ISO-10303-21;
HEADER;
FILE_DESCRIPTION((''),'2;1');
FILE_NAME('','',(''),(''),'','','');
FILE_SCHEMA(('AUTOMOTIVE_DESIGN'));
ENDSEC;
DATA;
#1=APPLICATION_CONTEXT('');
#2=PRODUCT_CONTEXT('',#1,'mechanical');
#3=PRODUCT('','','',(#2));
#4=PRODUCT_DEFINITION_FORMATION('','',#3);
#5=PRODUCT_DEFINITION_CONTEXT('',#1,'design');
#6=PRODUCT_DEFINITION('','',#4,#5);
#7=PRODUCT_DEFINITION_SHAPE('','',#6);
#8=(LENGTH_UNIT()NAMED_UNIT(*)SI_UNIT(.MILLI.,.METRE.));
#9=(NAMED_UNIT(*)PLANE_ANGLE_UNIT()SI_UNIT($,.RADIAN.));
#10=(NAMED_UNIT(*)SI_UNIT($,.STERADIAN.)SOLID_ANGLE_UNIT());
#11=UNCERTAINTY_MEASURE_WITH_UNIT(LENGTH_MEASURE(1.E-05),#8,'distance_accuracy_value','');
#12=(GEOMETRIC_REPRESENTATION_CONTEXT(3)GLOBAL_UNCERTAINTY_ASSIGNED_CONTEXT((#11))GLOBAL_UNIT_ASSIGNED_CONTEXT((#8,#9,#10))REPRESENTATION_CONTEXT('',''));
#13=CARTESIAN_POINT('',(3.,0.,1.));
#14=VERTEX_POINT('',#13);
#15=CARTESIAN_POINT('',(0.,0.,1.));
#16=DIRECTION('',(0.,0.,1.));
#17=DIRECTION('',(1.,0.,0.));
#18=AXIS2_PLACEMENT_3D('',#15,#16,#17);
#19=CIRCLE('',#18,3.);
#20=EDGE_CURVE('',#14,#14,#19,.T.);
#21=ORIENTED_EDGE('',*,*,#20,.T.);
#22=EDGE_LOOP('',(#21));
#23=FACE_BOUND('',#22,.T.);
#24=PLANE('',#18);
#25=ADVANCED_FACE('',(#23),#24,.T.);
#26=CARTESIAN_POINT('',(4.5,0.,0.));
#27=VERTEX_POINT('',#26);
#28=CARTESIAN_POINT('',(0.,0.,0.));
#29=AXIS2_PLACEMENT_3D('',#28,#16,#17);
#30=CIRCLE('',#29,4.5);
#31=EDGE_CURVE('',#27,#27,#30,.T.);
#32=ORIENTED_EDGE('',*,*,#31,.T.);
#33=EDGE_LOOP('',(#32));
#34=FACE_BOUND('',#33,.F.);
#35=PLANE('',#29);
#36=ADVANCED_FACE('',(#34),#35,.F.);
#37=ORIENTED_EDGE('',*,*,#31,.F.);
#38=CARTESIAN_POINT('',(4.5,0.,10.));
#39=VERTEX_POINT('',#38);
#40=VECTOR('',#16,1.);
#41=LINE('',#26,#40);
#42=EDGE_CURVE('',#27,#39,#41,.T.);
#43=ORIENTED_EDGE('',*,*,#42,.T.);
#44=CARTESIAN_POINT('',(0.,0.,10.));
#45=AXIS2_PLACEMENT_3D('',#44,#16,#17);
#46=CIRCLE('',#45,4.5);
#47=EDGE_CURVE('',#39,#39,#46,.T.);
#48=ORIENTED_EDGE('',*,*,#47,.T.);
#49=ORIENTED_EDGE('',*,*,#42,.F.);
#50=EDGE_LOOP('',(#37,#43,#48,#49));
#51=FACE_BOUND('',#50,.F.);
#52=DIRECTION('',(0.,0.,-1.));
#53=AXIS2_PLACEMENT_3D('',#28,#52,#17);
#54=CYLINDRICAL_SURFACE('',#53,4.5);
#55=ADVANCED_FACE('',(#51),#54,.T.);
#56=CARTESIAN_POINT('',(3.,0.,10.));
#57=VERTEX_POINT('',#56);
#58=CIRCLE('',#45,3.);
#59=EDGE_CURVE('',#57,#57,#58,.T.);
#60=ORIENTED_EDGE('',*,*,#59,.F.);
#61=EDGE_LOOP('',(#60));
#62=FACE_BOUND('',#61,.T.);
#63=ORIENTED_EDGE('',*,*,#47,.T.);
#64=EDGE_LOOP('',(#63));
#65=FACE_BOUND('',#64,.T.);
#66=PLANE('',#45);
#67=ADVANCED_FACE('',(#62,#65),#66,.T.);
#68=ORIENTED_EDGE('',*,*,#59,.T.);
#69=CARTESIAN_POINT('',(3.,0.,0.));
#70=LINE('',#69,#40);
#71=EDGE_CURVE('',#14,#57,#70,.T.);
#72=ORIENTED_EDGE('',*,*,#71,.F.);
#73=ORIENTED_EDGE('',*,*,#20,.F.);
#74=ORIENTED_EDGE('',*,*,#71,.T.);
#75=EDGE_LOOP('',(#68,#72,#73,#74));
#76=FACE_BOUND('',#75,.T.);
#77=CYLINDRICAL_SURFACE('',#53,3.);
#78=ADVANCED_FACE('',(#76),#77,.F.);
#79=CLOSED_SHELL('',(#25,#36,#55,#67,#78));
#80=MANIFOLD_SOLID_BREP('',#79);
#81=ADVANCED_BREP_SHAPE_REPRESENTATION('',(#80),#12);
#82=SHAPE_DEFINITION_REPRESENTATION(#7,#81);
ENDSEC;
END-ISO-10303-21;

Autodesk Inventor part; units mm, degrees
ref_plane "YZ Plane" through (0, 0, 0) normal (1, 0, 0) x (0, 1, 0)
ref_plane "XZ Plane" through (0, 0, 0) normal (0, 1, 0) x (-1, 0, 0)
ref_plane "XY Plane" through (0, 0, 0) normal (0, 0, 1) x (1, 0, 0)
sketch "Sketch1" plane through (0, 0, 0) normal (0, 0, 1) x (1, 0, 0)
  circle A0 centre (0, 0) radius 3
  circle A1 centre (0, 0) radius 4.5
  dimension "d0" = 6
  dimension "d1" = 9
extrude "Extrusion1" add sketch "Sketch1" along normal blind 1 contours A0
extrude "Extrusion2" add sketch "Sketch1" along normal blind 10
properties part number "TutupSteeringWheel"
